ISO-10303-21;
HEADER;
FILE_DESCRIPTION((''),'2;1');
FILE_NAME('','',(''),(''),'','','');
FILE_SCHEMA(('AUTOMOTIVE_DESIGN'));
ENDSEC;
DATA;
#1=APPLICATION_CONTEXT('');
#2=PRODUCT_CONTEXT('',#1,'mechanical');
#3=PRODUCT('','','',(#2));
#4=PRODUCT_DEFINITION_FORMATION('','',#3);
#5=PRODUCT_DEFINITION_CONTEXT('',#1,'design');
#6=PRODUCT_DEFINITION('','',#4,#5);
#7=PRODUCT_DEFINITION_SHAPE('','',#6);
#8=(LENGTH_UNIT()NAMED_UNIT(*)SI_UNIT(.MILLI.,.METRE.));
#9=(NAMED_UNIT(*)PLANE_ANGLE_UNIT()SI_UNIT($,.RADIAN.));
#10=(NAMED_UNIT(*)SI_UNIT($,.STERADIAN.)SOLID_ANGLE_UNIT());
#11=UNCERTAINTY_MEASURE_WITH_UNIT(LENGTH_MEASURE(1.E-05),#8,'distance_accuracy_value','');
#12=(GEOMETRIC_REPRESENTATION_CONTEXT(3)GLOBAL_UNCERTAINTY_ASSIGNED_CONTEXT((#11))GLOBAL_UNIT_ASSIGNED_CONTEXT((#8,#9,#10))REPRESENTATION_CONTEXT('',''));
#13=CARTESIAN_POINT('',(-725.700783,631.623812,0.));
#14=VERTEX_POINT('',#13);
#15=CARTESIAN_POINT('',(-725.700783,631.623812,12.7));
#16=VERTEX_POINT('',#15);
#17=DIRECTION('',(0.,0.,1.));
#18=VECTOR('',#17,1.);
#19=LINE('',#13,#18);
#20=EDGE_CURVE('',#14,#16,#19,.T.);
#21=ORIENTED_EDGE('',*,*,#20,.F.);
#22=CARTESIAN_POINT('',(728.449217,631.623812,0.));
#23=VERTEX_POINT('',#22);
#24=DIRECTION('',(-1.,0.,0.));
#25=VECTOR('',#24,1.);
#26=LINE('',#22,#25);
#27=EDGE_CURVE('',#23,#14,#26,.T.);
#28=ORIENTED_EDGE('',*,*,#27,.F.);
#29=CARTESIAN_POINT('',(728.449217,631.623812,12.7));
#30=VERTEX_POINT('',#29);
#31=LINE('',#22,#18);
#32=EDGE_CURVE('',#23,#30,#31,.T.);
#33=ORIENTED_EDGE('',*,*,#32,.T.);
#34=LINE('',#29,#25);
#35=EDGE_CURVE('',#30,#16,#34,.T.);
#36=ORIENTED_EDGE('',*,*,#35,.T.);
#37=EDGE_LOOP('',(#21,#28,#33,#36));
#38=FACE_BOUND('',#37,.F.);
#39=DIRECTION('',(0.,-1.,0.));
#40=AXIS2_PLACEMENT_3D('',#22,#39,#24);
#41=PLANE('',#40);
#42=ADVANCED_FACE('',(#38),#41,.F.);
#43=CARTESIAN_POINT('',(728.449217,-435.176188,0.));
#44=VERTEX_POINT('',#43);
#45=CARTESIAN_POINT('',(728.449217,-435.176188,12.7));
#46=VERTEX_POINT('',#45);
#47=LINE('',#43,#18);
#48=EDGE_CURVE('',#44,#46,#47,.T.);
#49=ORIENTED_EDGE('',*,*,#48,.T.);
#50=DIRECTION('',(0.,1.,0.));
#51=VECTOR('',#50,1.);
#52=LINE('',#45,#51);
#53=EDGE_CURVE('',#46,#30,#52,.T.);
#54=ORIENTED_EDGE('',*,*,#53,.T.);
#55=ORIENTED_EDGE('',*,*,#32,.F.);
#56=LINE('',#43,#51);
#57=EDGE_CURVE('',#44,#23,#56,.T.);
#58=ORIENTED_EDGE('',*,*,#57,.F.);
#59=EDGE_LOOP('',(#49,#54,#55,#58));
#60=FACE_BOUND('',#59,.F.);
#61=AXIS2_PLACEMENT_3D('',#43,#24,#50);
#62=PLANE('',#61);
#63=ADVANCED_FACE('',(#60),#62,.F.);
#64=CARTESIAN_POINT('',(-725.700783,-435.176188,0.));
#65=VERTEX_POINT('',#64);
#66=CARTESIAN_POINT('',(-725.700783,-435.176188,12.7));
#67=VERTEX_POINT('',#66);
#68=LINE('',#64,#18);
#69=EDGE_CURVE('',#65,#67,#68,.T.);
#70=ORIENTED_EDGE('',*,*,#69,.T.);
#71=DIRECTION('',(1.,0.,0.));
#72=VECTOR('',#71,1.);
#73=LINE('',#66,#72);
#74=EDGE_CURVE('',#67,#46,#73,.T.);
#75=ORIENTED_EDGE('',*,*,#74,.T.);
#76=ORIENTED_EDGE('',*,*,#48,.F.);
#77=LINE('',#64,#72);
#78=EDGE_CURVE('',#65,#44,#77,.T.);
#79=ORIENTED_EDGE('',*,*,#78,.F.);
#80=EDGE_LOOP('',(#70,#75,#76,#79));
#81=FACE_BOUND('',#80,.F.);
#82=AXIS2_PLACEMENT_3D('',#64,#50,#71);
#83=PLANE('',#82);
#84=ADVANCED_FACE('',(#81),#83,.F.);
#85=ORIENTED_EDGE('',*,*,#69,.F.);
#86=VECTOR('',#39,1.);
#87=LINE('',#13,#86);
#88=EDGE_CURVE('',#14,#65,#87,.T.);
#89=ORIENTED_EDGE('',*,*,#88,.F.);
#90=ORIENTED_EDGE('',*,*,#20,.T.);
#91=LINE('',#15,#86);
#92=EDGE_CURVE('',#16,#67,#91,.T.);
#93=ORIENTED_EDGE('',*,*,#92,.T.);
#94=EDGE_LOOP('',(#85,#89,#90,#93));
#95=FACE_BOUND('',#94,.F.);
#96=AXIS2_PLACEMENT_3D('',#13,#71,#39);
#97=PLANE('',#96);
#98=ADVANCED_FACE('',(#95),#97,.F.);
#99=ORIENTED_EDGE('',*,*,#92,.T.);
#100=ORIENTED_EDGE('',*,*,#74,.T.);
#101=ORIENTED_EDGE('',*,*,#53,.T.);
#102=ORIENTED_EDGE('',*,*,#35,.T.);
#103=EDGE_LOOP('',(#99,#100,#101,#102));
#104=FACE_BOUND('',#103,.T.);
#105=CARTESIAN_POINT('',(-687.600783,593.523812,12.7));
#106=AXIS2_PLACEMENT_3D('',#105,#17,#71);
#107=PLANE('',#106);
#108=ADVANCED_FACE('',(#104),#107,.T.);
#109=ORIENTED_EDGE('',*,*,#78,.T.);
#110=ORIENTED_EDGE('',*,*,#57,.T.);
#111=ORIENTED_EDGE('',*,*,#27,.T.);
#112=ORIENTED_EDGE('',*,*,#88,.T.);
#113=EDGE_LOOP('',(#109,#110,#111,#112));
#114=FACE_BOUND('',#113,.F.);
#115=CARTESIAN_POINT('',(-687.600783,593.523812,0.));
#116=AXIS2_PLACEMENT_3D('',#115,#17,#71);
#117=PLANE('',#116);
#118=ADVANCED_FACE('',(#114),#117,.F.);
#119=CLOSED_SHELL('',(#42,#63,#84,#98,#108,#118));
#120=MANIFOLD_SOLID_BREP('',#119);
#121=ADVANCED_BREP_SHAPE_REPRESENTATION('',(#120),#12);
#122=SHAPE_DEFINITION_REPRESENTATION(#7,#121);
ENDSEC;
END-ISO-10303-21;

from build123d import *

# Parameters (mm, degrees)
F0_W     = 76.2
F0_H     = 76.2
F0_W_2   = 260.35
F0_H_2   = 228.6
F1_DEPTH = 12.7


with BuildPart() as f1:
    # F0 (on Top) → F1 (new body)
    with BuildSketch(Plane.XY):
        with Locations((-687.6007832497, 593.5238116688)):
            Rectangle(F0_W, F0_H)
        Polygon((652.2492167503, 631.6238116688), (-649.5007832497, 631.6238116688), (-649.5007832497, 555.4238116688), (-389.1507832497, 555.4238116688), (-128.8007832497, 555.4238116688), (131.5492167503, 555.4238116688), (391.8992167503, 555.4238116688), (652.2492167503, 555.4238116688), align=None)
        with Locations((-519.3257832497, 441.1238116688)):
            Rectangle(F0_W_2, F0_H_2)
        Polygon((-649.5007832497, 555.4238116688), (-725.7007832497, 555.4238116688), (-725.7007832497, -358.9761883312), (-649.5007832497, -358.9761883312), (-649.5007832497, -130.3761883312), (-649.5007832497, 98.2238116688), (-649.5007832497, 326.8238116688), align=None)
        with Locations((-687.6007832497, -397.0761883312)):
            Rectangle(F0_W, F0_H)
        Polygon((-389.1507832497, -358.9761883312), (-649.5007832497, -358.9761883312), (-649.5007832497, -435.1761883312), (652.2492167503, -435.1761883312), (652.2492167503, -358.9761883312), (391.8992167503, -358.9761883312), (131.5492167503, -358.9761883312), (-128.8007832497, -358.9761883312), align=None)
        Polygon((728.4492167503, 555.4238116688), (652.2492167503, 555.4238116688), (652.2492167503, 326.8238116688), (652.2492167503, 98.2238116688), (652.2492167503, -130.3761883312), (652.2492167503, -358.9761883312), (728.4492167503, -358.9761883312), align=None)
        with Locations((690.3492167503, -397.0761883312)):
            Rectangle(F0_W, F0_H)
        with Locations((690.3492167503, 593.5238116688)):
            Rectangle(F0_W, F0_H)
        with Locations((-258.9757832497, 441.1238116688)):
            Rectangle(F0_W_2, F0_H_2)
        with Locations((1.3742167503, 441.1238116688)):
            Rectangle(F0_W_2, F0_H_2)
        with Locations((261.7242167503, 441.1238116688)):
            Rectangle(F0_W_2, F0_H_2)
        with Locations((522.0742167503, 441.1238116688)):
            Rectangle(F0_W_2, F0_H_2)
        with Locations((522.0742167503, 212.5238116688)):
            Rectangle(F0_W_2, F0_H_2)
        with Locations((261.7242167503, 212.5238116688)):
            Rectangle(F0_W_2, F0_H_2)
        with Locations((1.3742167503, 212.5238116688)):
            Rectangle(F0_W_2, F0_H_2)
        with Locations((-258.9757832497, 212.5238116688)):
            Rectangle(F0_W_2, F0_H_2)
        with Locations((-519.3257832497, 212.5238116688)):
            Rectangle(F0_W_2, F0_H_2)
        with Locations((-519.3257832497, -16.0761883312)):
            Rectangle(F0_W_2, F0_H_2)
        with Locations((-258.9757832497, -16.0761883312)):
            Rectangle(F0_W_2, F0_H_2)
        with Locations((1.3742167503, -16.0761883312)):
            Rectangle(F0_W_2, F0_H_2)
        with Locations((261.7242167503, -16.0761883312)):
            Rectangle(F0_W_2, F0_H_2)
        with Locations((522.0742167503, -16.0761883312)):
            Rectangle(F0_W_2, F0_H_2)
        with Locations((522.0742167503, -244.6761883312)):
            Rectangle(F0_W_2, F0_H_2)
        with Locations((261.7242167503, -244.6761883312)):
            Rectangle(F0_W_2, F0_H_2)
        with Locations((1.3742167503, -244.6761883312)):
            Rectangle(F0_W_2, F0_H_2)
        with Locations((-258.9757832497, -244.6761883312)):
            Rectangle(F0_W_2, F0_H_2)
        with Locations((-519.3257832497, -244.6761883312)):
            Rectangle(F0_W_2, F0_H_2)
    extrude(amount=F1_DEPTH)


solid = f1.part
